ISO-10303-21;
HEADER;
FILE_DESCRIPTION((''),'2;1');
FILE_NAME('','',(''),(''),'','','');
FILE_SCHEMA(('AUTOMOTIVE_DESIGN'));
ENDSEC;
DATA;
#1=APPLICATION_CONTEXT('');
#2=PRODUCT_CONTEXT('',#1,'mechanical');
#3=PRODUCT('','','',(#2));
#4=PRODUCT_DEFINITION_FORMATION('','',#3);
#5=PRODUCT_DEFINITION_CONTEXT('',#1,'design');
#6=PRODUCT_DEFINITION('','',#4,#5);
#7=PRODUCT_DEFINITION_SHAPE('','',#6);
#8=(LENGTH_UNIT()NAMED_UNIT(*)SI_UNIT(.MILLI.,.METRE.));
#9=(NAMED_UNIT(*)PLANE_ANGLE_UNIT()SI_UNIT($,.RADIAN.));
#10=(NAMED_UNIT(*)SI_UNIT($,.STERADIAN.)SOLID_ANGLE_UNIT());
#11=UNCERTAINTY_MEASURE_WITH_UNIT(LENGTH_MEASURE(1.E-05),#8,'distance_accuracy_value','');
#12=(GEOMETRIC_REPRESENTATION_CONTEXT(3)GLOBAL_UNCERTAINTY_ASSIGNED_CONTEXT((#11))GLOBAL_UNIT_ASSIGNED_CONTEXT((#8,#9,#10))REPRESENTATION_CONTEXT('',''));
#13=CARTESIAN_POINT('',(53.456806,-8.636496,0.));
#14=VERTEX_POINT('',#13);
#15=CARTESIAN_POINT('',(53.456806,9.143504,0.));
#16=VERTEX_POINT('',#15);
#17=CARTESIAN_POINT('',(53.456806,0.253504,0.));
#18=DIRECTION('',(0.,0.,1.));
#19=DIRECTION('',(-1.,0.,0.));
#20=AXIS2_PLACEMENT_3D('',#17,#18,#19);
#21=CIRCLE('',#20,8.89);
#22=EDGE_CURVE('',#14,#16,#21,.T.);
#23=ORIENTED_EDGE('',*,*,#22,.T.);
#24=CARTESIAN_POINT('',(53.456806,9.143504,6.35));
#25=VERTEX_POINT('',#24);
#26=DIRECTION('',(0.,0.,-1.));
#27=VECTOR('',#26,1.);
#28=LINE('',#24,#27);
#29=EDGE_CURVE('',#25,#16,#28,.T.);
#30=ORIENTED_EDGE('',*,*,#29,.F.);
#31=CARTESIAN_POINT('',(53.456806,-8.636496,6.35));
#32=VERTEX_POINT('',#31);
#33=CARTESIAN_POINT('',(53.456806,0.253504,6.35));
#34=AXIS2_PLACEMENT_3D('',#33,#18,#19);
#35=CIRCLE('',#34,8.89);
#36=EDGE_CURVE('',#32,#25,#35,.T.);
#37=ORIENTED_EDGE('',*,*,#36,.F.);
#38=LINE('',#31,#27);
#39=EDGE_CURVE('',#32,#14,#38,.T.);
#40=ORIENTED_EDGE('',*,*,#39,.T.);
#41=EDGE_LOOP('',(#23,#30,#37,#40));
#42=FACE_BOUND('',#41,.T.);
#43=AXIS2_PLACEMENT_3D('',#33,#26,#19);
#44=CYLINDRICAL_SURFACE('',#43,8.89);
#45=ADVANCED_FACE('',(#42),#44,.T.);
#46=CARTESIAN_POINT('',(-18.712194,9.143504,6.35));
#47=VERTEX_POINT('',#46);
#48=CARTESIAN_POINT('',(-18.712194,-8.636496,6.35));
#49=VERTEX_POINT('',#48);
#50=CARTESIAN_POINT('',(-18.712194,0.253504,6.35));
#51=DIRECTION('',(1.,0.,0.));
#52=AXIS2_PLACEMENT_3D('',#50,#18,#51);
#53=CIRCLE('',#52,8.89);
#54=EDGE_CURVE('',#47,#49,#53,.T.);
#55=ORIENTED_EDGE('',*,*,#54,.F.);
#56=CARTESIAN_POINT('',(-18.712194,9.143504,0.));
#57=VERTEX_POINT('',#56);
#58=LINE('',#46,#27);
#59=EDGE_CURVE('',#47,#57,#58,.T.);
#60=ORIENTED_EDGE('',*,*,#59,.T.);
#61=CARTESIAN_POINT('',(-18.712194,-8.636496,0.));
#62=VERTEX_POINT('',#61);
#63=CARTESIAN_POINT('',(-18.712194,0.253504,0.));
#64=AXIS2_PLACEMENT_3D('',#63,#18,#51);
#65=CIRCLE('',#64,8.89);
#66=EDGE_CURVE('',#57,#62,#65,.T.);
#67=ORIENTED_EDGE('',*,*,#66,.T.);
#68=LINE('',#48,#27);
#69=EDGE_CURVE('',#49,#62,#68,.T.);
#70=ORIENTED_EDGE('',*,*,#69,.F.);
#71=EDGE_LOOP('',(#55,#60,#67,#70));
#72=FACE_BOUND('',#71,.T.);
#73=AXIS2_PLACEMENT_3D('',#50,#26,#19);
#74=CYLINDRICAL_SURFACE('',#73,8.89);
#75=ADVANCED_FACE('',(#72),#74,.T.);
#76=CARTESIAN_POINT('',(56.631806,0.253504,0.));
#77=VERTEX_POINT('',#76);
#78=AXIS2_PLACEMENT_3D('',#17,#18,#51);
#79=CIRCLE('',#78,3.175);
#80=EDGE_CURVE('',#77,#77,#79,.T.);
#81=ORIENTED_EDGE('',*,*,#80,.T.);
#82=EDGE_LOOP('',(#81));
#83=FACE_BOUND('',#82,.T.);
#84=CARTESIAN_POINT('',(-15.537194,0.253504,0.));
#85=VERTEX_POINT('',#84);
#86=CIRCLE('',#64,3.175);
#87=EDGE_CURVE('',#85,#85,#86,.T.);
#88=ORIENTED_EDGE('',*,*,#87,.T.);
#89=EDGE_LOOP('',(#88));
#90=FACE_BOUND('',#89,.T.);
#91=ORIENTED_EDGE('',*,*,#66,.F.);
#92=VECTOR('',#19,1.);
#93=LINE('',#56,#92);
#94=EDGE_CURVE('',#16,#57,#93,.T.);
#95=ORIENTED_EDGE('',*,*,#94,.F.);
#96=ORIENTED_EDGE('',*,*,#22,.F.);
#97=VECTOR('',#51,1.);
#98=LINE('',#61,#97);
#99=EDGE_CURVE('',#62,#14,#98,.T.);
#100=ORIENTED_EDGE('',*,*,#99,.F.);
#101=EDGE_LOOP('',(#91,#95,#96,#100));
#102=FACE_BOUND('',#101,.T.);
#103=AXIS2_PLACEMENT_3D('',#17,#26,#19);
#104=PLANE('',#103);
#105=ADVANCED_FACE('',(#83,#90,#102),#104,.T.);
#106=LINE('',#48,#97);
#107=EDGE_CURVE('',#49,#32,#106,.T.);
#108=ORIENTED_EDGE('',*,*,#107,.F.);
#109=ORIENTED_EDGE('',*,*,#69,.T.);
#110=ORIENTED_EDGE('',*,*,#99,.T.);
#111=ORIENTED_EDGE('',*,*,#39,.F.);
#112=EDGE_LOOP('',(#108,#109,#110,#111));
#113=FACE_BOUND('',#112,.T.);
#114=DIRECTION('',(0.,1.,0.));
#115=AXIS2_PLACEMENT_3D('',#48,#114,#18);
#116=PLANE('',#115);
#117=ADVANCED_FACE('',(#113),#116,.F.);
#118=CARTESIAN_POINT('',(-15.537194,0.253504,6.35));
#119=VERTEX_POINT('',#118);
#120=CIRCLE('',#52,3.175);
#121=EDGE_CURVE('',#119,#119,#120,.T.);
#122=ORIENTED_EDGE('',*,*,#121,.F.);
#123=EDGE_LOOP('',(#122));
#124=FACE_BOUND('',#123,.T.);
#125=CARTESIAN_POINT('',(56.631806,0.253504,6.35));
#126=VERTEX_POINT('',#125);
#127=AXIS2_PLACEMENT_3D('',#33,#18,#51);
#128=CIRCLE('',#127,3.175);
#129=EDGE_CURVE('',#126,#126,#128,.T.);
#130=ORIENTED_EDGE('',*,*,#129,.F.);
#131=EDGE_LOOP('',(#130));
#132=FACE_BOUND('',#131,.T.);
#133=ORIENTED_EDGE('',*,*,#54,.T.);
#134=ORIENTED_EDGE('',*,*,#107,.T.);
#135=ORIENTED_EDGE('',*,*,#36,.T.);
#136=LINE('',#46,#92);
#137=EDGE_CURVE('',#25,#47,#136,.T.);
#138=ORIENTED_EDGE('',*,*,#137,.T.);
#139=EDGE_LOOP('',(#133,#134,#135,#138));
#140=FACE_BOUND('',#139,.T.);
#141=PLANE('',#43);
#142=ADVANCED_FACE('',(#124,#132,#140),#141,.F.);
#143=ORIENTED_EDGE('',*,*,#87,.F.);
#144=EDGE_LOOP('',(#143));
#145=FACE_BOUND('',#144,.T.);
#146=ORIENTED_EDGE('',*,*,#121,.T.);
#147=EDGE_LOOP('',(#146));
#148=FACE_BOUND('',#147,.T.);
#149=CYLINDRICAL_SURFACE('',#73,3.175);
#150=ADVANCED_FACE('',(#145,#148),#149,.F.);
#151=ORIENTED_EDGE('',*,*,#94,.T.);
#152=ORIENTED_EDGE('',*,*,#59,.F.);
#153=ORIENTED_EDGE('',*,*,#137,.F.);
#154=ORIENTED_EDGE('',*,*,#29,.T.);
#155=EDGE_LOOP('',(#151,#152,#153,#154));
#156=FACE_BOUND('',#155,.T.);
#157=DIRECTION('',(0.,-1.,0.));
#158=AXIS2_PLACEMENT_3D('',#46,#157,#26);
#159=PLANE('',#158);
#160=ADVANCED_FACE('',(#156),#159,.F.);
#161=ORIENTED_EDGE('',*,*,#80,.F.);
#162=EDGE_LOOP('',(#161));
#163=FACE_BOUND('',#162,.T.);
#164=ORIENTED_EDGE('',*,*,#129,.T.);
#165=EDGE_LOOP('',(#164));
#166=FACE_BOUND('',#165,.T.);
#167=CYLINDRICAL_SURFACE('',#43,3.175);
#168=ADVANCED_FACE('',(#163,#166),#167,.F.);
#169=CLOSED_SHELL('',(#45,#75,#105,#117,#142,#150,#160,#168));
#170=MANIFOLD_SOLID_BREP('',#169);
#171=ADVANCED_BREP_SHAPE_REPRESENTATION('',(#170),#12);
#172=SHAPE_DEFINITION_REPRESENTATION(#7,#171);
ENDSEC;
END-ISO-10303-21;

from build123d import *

# Parameters (mm, degrees)
SKETCH1_R           = 3.175
BOSS_EXTRUDE1_DEPTH = 6.35


with BuildPart() as part:
    # Sketch1 → Boss-Extrude1 (new body)
    with BuildSketch(Plane.XY):
        with BuildLine():
            Line((-18.712193521, -8.636495621), (53.456806479, -8.636495621))
            ThreePointArc((53.456806479, -8.636495621), (62.346806479, 0.253504379), (53.456806479, 9.143504379))
            Line((53.456806479, 9.143504379), (-18.712193521, 9.143504379))
            ThreePointArc((-18.712193521, 9.143504379), (-27.602193521, 0.253504379), (-18.712193521, -8.636495621))
        make_face()
        with Locations((-18.712193521, 0.253504379)):
            Circle(SKETCH1_R, mode=Mode.SUBTRACT)
        with Locations((53.456806479, 0.253504379)):
            Circle(SKETCH1_R, mode=Mode.SUBTRACT)
    extrude(amount=BOSS_EXTRUDE1_DEPTH)


solid = part.part
